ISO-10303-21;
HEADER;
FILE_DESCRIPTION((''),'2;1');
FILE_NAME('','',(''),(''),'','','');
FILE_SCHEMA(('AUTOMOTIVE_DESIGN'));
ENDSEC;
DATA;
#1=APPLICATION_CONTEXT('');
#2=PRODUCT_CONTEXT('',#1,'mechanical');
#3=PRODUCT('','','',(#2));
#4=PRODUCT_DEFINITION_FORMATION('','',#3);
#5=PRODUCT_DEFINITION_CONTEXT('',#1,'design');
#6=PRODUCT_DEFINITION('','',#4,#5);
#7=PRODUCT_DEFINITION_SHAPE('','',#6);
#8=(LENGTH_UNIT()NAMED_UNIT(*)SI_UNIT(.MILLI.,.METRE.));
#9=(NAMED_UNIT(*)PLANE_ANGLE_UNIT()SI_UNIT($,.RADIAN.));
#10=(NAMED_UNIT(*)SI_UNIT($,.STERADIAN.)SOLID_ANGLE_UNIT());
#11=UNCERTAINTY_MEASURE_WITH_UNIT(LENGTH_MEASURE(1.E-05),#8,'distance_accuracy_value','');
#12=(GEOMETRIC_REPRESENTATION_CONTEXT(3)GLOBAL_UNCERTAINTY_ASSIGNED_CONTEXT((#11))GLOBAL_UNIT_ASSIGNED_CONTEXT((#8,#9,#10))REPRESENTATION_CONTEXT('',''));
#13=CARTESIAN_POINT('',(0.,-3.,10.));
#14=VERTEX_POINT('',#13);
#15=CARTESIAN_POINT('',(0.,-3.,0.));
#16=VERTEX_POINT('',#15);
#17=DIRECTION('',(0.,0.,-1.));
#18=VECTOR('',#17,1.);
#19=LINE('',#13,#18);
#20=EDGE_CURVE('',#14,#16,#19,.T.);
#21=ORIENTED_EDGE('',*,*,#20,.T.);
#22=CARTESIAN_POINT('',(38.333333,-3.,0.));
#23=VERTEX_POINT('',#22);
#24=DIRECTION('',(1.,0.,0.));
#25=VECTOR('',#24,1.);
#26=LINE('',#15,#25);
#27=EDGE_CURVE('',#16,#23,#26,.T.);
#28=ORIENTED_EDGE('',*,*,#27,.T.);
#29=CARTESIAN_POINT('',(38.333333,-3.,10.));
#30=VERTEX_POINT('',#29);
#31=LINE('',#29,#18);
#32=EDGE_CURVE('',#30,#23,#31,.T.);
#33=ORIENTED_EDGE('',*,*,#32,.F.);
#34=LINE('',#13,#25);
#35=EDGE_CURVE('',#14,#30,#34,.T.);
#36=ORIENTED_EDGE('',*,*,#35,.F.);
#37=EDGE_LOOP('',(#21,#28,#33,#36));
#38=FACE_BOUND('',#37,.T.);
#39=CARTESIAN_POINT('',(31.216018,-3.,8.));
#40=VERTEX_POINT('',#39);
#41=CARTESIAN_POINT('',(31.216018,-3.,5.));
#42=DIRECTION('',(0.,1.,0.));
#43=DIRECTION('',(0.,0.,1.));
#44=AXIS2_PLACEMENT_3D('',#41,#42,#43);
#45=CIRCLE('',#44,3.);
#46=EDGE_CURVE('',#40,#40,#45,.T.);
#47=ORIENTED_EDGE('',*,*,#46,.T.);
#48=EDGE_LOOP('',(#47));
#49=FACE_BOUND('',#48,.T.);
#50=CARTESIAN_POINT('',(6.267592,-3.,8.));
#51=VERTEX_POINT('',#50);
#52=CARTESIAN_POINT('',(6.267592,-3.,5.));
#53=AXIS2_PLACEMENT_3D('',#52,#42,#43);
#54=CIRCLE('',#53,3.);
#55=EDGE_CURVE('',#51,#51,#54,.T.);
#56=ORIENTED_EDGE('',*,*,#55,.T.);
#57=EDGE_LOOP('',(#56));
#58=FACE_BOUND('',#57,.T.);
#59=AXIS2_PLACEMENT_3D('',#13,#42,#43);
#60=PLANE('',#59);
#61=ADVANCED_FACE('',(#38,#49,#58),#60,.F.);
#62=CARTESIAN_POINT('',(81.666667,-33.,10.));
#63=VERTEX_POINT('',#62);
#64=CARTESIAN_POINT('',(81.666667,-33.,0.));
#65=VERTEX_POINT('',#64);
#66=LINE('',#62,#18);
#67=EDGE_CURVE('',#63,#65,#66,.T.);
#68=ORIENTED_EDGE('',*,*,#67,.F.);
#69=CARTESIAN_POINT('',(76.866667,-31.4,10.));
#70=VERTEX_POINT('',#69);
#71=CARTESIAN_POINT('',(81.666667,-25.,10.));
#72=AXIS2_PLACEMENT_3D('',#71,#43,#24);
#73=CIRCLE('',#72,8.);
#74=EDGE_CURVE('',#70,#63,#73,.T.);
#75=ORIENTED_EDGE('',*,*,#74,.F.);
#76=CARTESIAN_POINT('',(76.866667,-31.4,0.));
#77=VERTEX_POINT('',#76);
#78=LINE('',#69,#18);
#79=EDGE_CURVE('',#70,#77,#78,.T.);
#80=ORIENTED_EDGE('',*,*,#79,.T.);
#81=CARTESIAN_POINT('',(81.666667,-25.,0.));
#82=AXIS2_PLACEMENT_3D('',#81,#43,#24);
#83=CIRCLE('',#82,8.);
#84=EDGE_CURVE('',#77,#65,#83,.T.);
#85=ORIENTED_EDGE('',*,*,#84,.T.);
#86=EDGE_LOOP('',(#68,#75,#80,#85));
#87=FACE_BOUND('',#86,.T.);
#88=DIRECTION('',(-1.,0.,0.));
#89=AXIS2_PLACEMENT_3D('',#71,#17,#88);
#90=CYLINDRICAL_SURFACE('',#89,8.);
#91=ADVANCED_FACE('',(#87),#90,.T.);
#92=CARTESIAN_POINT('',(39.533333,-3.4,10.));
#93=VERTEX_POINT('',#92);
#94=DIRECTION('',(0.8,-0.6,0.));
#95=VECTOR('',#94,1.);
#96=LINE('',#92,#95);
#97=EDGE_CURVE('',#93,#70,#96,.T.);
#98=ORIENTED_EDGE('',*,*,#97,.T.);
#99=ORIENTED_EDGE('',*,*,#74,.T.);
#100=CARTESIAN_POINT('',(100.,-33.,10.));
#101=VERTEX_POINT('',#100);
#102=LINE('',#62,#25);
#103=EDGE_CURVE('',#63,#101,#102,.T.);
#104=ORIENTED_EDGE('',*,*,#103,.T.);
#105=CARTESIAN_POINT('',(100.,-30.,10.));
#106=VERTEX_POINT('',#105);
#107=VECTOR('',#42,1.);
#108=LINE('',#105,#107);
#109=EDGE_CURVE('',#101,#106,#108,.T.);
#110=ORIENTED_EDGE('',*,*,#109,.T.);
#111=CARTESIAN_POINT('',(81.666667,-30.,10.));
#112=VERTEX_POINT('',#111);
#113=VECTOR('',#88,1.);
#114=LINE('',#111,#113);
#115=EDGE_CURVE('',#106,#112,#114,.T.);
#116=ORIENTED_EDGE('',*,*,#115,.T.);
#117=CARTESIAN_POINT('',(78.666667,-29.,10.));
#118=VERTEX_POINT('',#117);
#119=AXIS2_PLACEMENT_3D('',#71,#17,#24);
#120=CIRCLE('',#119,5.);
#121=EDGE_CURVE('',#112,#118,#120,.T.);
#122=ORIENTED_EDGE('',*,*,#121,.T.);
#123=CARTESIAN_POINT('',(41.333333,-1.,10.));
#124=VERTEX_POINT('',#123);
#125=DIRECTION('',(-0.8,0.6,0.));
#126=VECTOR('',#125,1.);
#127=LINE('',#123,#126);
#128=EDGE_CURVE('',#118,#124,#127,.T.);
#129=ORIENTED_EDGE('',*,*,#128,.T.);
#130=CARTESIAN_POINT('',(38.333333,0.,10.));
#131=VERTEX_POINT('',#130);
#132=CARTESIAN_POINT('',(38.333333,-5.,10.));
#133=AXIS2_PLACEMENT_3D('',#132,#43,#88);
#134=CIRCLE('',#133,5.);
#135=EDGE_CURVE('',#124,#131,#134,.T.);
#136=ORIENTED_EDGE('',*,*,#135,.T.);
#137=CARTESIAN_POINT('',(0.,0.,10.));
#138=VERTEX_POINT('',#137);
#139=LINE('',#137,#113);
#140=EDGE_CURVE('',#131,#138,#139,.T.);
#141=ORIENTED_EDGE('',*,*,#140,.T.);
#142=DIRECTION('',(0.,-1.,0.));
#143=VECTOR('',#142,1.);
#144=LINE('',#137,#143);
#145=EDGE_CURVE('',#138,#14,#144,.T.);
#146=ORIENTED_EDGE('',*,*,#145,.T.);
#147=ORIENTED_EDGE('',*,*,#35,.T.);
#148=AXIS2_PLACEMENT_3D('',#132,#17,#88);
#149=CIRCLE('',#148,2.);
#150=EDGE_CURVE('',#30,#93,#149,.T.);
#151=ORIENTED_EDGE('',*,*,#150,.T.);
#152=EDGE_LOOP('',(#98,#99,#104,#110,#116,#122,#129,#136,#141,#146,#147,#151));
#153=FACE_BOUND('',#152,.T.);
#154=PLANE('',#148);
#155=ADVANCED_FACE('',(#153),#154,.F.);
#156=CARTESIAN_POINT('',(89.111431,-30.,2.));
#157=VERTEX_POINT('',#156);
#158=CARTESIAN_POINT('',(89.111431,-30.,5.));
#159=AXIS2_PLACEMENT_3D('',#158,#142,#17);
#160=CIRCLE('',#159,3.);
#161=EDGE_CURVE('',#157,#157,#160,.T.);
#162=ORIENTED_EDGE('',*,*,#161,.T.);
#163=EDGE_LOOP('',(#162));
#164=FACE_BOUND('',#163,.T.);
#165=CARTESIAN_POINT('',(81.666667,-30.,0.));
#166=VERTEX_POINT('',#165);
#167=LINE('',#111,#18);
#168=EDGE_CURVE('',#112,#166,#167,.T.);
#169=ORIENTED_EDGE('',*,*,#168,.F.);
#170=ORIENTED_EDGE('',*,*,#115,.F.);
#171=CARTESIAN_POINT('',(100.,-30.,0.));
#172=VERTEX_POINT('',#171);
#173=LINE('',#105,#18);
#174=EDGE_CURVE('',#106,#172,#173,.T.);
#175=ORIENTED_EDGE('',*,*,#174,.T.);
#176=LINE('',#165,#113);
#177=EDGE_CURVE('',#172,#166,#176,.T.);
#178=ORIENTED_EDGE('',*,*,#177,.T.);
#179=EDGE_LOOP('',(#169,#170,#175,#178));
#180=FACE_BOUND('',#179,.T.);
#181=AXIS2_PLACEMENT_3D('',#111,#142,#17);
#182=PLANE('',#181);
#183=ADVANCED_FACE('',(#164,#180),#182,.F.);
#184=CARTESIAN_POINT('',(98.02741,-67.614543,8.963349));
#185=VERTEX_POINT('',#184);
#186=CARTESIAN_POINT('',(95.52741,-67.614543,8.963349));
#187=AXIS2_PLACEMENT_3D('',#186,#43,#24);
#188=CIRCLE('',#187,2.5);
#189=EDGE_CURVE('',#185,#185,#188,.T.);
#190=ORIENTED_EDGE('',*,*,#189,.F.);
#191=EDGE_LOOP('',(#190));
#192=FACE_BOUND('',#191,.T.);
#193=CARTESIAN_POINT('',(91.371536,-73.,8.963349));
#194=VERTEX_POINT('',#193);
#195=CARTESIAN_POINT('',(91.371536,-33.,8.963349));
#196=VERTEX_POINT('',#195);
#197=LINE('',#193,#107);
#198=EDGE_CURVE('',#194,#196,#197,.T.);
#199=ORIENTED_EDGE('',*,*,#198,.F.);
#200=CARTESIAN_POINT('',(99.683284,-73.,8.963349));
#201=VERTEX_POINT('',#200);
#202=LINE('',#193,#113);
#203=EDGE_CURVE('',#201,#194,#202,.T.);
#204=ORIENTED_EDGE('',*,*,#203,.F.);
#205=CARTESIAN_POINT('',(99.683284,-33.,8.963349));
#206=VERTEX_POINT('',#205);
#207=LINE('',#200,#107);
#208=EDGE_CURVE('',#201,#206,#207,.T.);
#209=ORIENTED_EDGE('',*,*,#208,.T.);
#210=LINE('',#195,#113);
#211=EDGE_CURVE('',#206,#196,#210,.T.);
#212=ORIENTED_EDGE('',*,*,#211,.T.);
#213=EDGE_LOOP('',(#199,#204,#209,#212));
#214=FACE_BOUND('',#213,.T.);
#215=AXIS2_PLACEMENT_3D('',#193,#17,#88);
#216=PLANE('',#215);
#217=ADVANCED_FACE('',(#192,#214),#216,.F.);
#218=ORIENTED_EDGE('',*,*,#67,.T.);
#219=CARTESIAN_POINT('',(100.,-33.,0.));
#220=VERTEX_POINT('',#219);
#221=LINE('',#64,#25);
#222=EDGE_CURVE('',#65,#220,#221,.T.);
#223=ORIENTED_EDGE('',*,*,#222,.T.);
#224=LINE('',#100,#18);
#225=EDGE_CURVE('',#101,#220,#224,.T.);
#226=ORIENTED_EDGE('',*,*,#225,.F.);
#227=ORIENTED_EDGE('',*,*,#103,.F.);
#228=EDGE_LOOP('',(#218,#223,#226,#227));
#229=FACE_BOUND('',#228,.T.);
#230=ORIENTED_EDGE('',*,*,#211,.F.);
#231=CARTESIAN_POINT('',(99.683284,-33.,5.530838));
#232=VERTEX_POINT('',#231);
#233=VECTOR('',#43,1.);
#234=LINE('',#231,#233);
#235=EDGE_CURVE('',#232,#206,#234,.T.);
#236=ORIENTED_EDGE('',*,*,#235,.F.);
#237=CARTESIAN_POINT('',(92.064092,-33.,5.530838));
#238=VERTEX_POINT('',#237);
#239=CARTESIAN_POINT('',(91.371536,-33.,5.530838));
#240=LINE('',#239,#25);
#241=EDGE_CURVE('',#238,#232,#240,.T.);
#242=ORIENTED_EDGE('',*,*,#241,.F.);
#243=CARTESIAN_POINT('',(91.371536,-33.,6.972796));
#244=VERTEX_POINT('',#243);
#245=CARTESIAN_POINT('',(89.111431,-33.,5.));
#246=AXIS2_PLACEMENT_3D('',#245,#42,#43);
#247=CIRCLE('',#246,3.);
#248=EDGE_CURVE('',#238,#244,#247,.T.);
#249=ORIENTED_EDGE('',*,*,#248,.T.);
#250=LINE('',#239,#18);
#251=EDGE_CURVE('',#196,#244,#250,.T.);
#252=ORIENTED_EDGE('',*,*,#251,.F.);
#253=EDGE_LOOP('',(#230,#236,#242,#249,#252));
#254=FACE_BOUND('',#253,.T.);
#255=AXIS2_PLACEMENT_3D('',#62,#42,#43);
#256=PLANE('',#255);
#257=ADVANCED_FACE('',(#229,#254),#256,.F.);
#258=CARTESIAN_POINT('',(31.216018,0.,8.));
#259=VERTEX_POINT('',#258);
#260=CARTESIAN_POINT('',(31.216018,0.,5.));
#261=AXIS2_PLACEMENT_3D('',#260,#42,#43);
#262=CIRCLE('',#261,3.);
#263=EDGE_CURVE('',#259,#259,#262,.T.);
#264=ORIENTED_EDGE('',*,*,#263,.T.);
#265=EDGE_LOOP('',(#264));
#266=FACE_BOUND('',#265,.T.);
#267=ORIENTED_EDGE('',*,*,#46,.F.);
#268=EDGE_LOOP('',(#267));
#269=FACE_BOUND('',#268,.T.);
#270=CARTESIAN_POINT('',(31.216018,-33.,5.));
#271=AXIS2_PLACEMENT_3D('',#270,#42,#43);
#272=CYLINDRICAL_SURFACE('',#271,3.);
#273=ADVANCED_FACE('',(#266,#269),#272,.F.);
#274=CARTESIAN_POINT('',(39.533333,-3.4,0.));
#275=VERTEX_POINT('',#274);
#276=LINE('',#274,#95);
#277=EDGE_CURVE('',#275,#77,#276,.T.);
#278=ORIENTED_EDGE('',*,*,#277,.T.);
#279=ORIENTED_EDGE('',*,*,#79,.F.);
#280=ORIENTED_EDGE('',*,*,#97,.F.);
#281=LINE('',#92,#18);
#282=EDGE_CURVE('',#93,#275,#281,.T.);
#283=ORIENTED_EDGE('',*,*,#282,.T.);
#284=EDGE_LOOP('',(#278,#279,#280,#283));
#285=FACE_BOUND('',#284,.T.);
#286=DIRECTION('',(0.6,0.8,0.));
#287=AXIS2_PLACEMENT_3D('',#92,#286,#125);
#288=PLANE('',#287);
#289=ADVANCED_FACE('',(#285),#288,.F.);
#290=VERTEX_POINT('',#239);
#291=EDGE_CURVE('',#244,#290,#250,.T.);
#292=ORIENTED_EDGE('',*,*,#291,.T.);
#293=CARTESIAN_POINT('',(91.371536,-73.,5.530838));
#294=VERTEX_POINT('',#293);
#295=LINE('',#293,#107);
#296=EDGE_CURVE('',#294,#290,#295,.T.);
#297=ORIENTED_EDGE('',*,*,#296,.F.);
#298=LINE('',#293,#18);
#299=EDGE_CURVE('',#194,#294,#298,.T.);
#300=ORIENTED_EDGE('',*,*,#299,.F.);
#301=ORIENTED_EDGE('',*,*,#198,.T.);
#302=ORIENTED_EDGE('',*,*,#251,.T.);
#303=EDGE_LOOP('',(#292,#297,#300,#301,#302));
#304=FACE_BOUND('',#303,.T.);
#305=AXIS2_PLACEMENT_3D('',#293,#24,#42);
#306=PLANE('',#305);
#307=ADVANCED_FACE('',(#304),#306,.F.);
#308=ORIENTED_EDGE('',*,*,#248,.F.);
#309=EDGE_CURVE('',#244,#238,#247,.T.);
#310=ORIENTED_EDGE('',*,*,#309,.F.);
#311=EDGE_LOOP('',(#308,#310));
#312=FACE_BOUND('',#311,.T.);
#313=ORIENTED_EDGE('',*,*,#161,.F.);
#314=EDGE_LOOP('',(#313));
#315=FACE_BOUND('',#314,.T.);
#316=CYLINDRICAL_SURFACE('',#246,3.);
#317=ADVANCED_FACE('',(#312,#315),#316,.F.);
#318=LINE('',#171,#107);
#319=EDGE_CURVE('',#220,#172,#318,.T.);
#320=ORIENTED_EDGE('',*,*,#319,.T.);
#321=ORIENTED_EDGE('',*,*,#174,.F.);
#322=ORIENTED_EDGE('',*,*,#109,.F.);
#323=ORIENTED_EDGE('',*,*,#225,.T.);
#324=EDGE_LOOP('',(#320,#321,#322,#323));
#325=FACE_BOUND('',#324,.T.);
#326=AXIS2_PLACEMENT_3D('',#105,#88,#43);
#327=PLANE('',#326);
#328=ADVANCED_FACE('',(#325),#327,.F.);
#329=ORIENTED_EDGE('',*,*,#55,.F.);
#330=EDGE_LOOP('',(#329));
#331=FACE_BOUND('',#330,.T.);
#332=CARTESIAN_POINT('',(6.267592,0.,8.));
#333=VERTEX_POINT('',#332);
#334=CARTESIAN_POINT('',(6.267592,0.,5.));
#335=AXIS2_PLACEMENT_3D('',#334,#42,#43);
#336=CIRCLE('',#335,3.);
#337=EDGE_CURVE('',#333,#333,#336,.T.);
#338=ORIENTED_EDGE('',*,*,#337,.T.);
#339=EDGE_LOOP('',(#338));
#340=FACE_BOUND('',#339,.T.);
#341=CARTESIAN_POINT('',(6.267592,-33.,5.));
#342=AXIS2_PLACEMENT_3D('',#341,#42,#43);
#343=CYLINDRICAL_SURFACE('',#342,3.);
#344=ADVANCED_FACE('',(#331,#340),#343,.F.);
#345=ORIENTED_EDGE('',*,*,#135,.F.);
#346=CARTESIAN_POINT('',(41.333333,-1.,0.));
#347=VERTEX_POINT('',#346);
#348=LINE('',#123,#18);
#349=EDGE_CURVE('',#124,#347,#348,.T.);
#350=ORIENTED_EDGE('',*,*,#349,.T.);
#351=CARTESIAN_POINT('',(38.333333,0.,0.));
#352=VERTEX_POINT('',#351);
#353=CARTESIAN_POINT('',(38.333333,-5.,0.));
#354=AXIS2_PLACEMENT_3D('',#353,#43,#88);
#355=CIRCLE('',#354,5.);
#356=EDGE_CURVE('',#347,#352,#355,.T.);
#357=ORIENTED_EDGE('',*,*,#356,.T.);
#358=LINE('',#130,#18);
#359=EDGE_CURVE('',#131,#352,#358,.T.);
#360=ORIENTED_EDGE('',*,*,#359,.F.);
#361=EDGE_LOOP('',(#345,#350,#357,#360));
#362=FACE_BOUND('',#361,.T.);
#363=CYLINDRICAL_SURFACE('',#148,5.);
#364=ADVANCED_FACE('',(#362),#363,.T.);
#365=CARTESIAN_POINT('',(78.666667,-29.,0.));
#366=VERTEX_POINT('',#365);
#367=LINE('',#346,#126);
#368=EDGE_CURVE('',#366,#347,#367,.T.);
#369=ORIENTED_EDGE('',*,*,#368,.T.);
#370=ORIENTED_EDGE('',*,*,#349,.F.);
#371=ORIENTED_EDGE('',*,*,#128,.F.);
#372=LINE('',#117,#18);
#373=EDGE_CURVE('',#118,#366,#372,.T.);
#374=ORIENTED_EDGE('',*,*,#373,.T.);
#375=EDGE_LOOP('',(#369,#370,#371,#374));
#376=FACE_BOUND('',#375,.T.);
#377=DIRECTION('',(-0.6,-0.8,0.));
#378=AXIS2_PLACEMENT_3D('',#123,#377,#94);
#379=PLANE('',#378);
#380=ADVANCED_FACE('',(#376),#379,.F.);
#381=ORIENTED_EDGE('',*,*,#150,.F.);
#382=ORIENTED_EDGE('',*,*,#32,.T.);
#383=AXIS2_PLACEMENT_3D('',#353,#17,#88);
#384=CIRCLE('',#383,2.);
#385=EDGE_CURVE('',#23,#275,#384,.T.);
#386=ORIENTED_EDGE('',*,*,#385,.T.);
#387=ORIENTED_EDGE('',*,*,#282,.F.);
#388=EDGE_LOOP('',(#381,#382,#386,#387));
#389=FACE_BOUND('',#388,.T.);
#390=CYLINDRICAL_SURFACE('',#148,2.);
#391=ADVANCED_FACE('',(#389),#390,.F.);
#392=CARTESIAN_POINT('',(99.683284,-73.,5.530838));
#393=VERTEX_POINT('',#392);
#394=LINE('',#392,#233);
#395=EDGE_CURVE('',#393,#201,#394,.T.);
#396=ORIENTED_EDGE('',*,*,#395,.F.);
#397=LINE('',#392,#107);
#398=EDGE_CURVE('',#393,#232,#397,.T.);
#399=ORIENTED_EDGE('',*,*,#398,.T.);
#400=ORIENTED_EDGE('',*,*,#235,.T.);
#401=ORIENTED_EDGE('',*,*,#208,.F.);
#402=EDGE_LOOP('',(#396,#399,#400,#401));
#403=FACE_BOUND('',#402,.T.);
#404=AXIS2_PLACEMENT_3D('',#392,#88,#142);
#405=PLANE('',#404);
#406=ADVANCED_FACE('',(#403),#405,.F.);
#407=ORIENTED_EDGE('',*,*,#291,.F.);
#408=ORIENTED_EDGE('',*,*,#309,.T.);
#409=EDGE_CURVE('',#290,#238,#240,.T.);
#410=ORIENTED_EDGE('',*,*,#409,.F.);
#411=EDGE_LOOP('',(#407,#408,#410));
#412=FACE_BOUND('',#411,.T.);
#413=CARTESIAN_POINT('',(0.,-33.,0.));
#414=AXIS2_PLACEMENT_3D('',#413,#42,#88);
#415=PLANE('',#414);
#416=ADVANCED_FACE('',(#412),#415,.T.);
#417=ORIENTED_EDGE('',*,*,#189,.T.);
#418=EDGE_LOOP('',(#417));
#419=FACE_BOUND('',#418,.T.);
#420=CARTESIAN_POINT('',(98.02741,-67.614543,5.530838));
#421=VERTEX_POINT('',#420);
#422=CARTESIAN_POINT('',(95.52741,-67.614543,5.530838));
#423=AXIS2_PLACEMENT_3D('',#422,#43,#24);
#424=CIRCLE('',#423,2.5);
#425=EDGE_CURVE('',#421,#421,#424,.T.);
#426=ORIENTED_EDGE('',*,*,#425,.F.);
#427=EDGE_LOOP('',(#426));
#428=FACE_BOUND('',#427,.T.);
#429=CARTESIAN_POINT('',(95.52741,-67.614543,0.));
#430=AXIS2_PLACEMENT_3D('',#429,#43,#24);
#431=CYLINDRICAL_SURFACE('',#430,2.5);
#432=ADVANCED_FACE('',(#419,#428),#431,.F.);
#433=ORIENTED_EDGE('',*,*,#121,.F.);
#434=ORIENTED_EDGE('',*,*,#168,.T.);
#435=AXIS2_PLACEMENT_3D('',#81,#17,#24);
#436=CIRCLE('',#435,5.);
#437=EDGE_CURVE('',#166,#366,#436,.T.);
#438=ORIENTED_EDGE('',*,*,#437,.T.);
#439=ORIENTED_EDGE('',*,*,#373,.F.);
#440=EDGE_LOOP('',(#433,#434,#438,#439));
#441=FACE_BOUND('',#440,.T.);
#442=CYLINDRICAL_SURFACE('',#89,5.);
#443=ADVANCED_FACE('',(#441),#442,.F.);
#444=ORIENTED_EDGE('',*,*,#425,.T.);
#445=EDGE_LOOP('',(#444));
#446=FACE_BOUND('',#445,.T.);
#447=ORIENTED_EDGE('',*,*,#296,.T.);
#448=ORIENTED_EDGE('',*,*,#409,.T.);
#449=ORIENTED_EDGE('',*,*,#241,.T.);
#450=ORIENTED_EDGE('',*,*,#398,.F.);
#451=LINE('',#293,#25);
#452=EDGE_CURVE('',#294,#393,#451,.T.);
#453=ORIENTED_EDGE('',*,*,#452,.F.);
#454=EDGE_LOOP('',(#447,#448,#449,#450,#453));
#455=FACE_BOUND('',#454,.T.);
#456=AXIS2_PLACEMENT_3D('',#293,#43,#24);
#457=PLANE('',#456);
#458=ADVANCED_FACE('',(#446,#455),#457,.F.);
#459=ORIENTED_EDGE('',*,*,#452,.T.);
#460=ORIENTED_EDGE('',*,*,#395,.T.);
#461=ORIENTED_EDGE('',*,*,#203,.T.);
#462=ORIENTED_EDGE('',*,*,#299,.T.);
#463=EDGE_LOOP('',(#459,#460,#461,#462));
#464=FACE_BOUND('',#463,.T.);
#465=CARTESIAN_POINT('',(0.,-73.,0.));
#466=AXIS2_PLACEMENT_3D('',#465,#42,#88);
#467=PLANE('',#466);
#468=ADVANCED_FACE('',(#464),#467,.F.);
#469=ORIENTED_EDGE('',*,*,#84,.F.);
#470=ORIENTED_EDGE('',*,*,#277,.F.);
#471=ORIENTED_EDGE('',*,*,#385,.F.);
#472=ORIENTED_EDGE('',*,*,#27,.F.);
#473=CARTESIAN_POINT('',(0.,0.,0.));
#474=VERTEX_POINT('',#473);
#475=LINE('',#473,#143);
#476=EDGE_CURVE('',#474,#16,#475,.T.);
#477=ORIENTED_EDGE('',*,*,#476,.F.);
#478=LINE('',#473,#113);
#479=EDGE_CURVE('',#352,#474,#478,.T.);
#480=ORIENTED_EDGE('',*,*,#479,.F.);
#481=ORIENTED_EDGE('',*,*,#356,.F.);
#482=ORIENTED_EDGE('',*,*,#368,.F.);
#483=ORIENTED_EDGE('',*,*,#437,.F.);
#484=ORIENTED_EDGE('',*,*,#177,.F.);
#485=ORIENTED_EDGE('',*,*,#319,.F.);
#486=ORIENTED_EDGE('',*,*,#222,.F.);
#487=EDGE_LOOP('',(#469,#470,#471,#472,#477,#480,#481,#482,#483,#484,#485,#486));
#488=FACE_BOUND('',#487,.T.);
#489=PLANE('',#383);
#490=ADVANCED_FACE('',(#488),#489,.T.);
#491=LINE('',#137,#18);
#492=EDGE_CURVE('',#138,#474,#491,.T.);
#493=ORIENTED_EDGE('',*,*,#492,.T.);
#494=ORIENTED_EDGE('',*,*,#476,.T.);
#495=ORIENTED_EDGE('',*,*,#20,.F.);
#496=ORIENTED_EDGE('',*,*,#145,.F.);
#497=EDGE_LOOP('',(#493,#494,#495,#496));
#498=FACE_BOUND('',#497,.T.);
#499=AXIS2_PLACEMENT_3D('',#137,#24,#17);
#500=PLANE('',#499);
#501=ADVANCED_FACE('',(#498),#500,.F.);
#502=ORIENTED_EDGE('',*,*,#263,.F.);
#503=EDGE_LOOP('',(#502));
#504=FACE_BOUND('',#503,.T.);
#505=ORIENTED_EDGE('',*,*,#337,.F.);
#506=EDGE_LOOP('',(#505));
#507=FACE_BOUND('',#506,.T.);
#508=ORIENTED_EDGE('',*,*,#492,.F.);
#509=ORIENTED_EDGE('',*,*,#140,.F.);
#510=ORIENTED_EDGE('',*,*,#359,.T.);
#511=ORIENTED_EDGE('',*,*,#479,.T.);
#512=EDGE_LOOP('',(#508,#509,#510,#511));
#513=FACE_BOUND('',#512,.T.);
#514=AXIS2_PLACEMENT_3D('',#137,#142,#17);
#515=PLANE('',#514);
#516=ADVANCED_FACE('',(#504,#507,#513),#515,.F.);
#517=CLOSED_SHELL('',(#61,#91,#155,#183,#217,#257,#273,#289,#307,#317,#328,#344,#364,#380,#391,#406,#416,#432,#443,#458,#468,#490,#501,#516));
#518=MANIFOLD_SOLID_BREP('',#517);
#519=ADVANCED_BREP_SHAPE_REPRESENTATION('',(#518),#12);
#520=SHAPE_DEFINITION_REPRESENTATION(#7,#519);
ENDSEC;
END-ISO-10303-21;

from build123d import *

# Parameters (mm, degrees)
BOSS_EXTRUDE1_DEPTH = 10
SKETCH2_R           = 3
CUT_EXTRUDE1_DEPTH  = 34
SKETCH3_W           = 8.31174776
SKETCH3_H           = 3.43251071
BOSS_EXTRUDE2_DEPTH = 40
SKETCH4_R           = 2.5
CUT_EXTRUDE2_DEPTH  = 9.963348995


with BuildPart() as part:
    # Sketch1 → Boss-Extrude1 (new body)
    with BuildSketch(Plane.XY):
        with BuildLine():
            Line((0, 0), (38.333333333, 0))
            ThreePointArc((38.333333333, 0), (39.914472163, -0.25658351), (41.333333333, -1))
            Line((41.333333333, -1), (78.666666667, -29))
            ThreePointArc((78.666666667, -29), (80.085527837, -29.74341649), (81.666666667, -30))
            Line((81.666666667, -30), (100, -30))
            Line((100, -30), (100, -33))
            Line((100, -33), (81.666666667, -33))
            ThreePointArc((81.666666667, -33), (79.136844539, -32.589466384), (76.866666667, -31.4))
            Line((76.866666667, -31.4), (39.533333333, -3.4))
            ThreePointArc((39.533333333, -3.4), (38.965788865, -3.102633404), (38.333333333, -3))
            Line((38.333333333, -3), (0, -3))
            Line((0, -3), (0, 0))
        make_face()
    extrude(amount=BOSS_EXTRUDE1_DEPTH)

    # Sketch2 → Cut-Extrude1 (cut, through all)
    with BuildSketch(Plane(origin=(0, 0, 0), x_dir=(1, 0, 0), z_dir=(0, 1, 0))):
        with Locations((6.267592097, -5)):
            Circle(SKETCH2_R)
        with Locations((31.216017877, -5)):
            Circle(SKETCH2_R)
        with Locations((89.111430709, -5)):
            Circle(SKETCH2_R)
    extrude(amount=-CUT_EXTRUDE1_DEPTH, mode=Mode.SUBTRACT)

    # Sketch3 → Boss-Extrude2 (add)
    with BuildSketch(Plane.XZ.offset(33)):
        with Locations((95.527410175, 7.24709364)):
            Rectangle(SKETCH3_W, SKETCH3_H)
    extrude(amount=BOSS_EXTRUDE2_DEPTH)

    # Sketch4 → Cut-Extrude2 (cut, through all)
    with BuildSketch(Plane.XY.offset(8.963348995)):
        with Locations((95.527410175, -67.614542538)):
            Circle(SKETCH4_R)
    extrude(amount=-CUT_EXTRUDE2_DEPTH, mode=Mode.SUBTRACT)


solid = part.part
